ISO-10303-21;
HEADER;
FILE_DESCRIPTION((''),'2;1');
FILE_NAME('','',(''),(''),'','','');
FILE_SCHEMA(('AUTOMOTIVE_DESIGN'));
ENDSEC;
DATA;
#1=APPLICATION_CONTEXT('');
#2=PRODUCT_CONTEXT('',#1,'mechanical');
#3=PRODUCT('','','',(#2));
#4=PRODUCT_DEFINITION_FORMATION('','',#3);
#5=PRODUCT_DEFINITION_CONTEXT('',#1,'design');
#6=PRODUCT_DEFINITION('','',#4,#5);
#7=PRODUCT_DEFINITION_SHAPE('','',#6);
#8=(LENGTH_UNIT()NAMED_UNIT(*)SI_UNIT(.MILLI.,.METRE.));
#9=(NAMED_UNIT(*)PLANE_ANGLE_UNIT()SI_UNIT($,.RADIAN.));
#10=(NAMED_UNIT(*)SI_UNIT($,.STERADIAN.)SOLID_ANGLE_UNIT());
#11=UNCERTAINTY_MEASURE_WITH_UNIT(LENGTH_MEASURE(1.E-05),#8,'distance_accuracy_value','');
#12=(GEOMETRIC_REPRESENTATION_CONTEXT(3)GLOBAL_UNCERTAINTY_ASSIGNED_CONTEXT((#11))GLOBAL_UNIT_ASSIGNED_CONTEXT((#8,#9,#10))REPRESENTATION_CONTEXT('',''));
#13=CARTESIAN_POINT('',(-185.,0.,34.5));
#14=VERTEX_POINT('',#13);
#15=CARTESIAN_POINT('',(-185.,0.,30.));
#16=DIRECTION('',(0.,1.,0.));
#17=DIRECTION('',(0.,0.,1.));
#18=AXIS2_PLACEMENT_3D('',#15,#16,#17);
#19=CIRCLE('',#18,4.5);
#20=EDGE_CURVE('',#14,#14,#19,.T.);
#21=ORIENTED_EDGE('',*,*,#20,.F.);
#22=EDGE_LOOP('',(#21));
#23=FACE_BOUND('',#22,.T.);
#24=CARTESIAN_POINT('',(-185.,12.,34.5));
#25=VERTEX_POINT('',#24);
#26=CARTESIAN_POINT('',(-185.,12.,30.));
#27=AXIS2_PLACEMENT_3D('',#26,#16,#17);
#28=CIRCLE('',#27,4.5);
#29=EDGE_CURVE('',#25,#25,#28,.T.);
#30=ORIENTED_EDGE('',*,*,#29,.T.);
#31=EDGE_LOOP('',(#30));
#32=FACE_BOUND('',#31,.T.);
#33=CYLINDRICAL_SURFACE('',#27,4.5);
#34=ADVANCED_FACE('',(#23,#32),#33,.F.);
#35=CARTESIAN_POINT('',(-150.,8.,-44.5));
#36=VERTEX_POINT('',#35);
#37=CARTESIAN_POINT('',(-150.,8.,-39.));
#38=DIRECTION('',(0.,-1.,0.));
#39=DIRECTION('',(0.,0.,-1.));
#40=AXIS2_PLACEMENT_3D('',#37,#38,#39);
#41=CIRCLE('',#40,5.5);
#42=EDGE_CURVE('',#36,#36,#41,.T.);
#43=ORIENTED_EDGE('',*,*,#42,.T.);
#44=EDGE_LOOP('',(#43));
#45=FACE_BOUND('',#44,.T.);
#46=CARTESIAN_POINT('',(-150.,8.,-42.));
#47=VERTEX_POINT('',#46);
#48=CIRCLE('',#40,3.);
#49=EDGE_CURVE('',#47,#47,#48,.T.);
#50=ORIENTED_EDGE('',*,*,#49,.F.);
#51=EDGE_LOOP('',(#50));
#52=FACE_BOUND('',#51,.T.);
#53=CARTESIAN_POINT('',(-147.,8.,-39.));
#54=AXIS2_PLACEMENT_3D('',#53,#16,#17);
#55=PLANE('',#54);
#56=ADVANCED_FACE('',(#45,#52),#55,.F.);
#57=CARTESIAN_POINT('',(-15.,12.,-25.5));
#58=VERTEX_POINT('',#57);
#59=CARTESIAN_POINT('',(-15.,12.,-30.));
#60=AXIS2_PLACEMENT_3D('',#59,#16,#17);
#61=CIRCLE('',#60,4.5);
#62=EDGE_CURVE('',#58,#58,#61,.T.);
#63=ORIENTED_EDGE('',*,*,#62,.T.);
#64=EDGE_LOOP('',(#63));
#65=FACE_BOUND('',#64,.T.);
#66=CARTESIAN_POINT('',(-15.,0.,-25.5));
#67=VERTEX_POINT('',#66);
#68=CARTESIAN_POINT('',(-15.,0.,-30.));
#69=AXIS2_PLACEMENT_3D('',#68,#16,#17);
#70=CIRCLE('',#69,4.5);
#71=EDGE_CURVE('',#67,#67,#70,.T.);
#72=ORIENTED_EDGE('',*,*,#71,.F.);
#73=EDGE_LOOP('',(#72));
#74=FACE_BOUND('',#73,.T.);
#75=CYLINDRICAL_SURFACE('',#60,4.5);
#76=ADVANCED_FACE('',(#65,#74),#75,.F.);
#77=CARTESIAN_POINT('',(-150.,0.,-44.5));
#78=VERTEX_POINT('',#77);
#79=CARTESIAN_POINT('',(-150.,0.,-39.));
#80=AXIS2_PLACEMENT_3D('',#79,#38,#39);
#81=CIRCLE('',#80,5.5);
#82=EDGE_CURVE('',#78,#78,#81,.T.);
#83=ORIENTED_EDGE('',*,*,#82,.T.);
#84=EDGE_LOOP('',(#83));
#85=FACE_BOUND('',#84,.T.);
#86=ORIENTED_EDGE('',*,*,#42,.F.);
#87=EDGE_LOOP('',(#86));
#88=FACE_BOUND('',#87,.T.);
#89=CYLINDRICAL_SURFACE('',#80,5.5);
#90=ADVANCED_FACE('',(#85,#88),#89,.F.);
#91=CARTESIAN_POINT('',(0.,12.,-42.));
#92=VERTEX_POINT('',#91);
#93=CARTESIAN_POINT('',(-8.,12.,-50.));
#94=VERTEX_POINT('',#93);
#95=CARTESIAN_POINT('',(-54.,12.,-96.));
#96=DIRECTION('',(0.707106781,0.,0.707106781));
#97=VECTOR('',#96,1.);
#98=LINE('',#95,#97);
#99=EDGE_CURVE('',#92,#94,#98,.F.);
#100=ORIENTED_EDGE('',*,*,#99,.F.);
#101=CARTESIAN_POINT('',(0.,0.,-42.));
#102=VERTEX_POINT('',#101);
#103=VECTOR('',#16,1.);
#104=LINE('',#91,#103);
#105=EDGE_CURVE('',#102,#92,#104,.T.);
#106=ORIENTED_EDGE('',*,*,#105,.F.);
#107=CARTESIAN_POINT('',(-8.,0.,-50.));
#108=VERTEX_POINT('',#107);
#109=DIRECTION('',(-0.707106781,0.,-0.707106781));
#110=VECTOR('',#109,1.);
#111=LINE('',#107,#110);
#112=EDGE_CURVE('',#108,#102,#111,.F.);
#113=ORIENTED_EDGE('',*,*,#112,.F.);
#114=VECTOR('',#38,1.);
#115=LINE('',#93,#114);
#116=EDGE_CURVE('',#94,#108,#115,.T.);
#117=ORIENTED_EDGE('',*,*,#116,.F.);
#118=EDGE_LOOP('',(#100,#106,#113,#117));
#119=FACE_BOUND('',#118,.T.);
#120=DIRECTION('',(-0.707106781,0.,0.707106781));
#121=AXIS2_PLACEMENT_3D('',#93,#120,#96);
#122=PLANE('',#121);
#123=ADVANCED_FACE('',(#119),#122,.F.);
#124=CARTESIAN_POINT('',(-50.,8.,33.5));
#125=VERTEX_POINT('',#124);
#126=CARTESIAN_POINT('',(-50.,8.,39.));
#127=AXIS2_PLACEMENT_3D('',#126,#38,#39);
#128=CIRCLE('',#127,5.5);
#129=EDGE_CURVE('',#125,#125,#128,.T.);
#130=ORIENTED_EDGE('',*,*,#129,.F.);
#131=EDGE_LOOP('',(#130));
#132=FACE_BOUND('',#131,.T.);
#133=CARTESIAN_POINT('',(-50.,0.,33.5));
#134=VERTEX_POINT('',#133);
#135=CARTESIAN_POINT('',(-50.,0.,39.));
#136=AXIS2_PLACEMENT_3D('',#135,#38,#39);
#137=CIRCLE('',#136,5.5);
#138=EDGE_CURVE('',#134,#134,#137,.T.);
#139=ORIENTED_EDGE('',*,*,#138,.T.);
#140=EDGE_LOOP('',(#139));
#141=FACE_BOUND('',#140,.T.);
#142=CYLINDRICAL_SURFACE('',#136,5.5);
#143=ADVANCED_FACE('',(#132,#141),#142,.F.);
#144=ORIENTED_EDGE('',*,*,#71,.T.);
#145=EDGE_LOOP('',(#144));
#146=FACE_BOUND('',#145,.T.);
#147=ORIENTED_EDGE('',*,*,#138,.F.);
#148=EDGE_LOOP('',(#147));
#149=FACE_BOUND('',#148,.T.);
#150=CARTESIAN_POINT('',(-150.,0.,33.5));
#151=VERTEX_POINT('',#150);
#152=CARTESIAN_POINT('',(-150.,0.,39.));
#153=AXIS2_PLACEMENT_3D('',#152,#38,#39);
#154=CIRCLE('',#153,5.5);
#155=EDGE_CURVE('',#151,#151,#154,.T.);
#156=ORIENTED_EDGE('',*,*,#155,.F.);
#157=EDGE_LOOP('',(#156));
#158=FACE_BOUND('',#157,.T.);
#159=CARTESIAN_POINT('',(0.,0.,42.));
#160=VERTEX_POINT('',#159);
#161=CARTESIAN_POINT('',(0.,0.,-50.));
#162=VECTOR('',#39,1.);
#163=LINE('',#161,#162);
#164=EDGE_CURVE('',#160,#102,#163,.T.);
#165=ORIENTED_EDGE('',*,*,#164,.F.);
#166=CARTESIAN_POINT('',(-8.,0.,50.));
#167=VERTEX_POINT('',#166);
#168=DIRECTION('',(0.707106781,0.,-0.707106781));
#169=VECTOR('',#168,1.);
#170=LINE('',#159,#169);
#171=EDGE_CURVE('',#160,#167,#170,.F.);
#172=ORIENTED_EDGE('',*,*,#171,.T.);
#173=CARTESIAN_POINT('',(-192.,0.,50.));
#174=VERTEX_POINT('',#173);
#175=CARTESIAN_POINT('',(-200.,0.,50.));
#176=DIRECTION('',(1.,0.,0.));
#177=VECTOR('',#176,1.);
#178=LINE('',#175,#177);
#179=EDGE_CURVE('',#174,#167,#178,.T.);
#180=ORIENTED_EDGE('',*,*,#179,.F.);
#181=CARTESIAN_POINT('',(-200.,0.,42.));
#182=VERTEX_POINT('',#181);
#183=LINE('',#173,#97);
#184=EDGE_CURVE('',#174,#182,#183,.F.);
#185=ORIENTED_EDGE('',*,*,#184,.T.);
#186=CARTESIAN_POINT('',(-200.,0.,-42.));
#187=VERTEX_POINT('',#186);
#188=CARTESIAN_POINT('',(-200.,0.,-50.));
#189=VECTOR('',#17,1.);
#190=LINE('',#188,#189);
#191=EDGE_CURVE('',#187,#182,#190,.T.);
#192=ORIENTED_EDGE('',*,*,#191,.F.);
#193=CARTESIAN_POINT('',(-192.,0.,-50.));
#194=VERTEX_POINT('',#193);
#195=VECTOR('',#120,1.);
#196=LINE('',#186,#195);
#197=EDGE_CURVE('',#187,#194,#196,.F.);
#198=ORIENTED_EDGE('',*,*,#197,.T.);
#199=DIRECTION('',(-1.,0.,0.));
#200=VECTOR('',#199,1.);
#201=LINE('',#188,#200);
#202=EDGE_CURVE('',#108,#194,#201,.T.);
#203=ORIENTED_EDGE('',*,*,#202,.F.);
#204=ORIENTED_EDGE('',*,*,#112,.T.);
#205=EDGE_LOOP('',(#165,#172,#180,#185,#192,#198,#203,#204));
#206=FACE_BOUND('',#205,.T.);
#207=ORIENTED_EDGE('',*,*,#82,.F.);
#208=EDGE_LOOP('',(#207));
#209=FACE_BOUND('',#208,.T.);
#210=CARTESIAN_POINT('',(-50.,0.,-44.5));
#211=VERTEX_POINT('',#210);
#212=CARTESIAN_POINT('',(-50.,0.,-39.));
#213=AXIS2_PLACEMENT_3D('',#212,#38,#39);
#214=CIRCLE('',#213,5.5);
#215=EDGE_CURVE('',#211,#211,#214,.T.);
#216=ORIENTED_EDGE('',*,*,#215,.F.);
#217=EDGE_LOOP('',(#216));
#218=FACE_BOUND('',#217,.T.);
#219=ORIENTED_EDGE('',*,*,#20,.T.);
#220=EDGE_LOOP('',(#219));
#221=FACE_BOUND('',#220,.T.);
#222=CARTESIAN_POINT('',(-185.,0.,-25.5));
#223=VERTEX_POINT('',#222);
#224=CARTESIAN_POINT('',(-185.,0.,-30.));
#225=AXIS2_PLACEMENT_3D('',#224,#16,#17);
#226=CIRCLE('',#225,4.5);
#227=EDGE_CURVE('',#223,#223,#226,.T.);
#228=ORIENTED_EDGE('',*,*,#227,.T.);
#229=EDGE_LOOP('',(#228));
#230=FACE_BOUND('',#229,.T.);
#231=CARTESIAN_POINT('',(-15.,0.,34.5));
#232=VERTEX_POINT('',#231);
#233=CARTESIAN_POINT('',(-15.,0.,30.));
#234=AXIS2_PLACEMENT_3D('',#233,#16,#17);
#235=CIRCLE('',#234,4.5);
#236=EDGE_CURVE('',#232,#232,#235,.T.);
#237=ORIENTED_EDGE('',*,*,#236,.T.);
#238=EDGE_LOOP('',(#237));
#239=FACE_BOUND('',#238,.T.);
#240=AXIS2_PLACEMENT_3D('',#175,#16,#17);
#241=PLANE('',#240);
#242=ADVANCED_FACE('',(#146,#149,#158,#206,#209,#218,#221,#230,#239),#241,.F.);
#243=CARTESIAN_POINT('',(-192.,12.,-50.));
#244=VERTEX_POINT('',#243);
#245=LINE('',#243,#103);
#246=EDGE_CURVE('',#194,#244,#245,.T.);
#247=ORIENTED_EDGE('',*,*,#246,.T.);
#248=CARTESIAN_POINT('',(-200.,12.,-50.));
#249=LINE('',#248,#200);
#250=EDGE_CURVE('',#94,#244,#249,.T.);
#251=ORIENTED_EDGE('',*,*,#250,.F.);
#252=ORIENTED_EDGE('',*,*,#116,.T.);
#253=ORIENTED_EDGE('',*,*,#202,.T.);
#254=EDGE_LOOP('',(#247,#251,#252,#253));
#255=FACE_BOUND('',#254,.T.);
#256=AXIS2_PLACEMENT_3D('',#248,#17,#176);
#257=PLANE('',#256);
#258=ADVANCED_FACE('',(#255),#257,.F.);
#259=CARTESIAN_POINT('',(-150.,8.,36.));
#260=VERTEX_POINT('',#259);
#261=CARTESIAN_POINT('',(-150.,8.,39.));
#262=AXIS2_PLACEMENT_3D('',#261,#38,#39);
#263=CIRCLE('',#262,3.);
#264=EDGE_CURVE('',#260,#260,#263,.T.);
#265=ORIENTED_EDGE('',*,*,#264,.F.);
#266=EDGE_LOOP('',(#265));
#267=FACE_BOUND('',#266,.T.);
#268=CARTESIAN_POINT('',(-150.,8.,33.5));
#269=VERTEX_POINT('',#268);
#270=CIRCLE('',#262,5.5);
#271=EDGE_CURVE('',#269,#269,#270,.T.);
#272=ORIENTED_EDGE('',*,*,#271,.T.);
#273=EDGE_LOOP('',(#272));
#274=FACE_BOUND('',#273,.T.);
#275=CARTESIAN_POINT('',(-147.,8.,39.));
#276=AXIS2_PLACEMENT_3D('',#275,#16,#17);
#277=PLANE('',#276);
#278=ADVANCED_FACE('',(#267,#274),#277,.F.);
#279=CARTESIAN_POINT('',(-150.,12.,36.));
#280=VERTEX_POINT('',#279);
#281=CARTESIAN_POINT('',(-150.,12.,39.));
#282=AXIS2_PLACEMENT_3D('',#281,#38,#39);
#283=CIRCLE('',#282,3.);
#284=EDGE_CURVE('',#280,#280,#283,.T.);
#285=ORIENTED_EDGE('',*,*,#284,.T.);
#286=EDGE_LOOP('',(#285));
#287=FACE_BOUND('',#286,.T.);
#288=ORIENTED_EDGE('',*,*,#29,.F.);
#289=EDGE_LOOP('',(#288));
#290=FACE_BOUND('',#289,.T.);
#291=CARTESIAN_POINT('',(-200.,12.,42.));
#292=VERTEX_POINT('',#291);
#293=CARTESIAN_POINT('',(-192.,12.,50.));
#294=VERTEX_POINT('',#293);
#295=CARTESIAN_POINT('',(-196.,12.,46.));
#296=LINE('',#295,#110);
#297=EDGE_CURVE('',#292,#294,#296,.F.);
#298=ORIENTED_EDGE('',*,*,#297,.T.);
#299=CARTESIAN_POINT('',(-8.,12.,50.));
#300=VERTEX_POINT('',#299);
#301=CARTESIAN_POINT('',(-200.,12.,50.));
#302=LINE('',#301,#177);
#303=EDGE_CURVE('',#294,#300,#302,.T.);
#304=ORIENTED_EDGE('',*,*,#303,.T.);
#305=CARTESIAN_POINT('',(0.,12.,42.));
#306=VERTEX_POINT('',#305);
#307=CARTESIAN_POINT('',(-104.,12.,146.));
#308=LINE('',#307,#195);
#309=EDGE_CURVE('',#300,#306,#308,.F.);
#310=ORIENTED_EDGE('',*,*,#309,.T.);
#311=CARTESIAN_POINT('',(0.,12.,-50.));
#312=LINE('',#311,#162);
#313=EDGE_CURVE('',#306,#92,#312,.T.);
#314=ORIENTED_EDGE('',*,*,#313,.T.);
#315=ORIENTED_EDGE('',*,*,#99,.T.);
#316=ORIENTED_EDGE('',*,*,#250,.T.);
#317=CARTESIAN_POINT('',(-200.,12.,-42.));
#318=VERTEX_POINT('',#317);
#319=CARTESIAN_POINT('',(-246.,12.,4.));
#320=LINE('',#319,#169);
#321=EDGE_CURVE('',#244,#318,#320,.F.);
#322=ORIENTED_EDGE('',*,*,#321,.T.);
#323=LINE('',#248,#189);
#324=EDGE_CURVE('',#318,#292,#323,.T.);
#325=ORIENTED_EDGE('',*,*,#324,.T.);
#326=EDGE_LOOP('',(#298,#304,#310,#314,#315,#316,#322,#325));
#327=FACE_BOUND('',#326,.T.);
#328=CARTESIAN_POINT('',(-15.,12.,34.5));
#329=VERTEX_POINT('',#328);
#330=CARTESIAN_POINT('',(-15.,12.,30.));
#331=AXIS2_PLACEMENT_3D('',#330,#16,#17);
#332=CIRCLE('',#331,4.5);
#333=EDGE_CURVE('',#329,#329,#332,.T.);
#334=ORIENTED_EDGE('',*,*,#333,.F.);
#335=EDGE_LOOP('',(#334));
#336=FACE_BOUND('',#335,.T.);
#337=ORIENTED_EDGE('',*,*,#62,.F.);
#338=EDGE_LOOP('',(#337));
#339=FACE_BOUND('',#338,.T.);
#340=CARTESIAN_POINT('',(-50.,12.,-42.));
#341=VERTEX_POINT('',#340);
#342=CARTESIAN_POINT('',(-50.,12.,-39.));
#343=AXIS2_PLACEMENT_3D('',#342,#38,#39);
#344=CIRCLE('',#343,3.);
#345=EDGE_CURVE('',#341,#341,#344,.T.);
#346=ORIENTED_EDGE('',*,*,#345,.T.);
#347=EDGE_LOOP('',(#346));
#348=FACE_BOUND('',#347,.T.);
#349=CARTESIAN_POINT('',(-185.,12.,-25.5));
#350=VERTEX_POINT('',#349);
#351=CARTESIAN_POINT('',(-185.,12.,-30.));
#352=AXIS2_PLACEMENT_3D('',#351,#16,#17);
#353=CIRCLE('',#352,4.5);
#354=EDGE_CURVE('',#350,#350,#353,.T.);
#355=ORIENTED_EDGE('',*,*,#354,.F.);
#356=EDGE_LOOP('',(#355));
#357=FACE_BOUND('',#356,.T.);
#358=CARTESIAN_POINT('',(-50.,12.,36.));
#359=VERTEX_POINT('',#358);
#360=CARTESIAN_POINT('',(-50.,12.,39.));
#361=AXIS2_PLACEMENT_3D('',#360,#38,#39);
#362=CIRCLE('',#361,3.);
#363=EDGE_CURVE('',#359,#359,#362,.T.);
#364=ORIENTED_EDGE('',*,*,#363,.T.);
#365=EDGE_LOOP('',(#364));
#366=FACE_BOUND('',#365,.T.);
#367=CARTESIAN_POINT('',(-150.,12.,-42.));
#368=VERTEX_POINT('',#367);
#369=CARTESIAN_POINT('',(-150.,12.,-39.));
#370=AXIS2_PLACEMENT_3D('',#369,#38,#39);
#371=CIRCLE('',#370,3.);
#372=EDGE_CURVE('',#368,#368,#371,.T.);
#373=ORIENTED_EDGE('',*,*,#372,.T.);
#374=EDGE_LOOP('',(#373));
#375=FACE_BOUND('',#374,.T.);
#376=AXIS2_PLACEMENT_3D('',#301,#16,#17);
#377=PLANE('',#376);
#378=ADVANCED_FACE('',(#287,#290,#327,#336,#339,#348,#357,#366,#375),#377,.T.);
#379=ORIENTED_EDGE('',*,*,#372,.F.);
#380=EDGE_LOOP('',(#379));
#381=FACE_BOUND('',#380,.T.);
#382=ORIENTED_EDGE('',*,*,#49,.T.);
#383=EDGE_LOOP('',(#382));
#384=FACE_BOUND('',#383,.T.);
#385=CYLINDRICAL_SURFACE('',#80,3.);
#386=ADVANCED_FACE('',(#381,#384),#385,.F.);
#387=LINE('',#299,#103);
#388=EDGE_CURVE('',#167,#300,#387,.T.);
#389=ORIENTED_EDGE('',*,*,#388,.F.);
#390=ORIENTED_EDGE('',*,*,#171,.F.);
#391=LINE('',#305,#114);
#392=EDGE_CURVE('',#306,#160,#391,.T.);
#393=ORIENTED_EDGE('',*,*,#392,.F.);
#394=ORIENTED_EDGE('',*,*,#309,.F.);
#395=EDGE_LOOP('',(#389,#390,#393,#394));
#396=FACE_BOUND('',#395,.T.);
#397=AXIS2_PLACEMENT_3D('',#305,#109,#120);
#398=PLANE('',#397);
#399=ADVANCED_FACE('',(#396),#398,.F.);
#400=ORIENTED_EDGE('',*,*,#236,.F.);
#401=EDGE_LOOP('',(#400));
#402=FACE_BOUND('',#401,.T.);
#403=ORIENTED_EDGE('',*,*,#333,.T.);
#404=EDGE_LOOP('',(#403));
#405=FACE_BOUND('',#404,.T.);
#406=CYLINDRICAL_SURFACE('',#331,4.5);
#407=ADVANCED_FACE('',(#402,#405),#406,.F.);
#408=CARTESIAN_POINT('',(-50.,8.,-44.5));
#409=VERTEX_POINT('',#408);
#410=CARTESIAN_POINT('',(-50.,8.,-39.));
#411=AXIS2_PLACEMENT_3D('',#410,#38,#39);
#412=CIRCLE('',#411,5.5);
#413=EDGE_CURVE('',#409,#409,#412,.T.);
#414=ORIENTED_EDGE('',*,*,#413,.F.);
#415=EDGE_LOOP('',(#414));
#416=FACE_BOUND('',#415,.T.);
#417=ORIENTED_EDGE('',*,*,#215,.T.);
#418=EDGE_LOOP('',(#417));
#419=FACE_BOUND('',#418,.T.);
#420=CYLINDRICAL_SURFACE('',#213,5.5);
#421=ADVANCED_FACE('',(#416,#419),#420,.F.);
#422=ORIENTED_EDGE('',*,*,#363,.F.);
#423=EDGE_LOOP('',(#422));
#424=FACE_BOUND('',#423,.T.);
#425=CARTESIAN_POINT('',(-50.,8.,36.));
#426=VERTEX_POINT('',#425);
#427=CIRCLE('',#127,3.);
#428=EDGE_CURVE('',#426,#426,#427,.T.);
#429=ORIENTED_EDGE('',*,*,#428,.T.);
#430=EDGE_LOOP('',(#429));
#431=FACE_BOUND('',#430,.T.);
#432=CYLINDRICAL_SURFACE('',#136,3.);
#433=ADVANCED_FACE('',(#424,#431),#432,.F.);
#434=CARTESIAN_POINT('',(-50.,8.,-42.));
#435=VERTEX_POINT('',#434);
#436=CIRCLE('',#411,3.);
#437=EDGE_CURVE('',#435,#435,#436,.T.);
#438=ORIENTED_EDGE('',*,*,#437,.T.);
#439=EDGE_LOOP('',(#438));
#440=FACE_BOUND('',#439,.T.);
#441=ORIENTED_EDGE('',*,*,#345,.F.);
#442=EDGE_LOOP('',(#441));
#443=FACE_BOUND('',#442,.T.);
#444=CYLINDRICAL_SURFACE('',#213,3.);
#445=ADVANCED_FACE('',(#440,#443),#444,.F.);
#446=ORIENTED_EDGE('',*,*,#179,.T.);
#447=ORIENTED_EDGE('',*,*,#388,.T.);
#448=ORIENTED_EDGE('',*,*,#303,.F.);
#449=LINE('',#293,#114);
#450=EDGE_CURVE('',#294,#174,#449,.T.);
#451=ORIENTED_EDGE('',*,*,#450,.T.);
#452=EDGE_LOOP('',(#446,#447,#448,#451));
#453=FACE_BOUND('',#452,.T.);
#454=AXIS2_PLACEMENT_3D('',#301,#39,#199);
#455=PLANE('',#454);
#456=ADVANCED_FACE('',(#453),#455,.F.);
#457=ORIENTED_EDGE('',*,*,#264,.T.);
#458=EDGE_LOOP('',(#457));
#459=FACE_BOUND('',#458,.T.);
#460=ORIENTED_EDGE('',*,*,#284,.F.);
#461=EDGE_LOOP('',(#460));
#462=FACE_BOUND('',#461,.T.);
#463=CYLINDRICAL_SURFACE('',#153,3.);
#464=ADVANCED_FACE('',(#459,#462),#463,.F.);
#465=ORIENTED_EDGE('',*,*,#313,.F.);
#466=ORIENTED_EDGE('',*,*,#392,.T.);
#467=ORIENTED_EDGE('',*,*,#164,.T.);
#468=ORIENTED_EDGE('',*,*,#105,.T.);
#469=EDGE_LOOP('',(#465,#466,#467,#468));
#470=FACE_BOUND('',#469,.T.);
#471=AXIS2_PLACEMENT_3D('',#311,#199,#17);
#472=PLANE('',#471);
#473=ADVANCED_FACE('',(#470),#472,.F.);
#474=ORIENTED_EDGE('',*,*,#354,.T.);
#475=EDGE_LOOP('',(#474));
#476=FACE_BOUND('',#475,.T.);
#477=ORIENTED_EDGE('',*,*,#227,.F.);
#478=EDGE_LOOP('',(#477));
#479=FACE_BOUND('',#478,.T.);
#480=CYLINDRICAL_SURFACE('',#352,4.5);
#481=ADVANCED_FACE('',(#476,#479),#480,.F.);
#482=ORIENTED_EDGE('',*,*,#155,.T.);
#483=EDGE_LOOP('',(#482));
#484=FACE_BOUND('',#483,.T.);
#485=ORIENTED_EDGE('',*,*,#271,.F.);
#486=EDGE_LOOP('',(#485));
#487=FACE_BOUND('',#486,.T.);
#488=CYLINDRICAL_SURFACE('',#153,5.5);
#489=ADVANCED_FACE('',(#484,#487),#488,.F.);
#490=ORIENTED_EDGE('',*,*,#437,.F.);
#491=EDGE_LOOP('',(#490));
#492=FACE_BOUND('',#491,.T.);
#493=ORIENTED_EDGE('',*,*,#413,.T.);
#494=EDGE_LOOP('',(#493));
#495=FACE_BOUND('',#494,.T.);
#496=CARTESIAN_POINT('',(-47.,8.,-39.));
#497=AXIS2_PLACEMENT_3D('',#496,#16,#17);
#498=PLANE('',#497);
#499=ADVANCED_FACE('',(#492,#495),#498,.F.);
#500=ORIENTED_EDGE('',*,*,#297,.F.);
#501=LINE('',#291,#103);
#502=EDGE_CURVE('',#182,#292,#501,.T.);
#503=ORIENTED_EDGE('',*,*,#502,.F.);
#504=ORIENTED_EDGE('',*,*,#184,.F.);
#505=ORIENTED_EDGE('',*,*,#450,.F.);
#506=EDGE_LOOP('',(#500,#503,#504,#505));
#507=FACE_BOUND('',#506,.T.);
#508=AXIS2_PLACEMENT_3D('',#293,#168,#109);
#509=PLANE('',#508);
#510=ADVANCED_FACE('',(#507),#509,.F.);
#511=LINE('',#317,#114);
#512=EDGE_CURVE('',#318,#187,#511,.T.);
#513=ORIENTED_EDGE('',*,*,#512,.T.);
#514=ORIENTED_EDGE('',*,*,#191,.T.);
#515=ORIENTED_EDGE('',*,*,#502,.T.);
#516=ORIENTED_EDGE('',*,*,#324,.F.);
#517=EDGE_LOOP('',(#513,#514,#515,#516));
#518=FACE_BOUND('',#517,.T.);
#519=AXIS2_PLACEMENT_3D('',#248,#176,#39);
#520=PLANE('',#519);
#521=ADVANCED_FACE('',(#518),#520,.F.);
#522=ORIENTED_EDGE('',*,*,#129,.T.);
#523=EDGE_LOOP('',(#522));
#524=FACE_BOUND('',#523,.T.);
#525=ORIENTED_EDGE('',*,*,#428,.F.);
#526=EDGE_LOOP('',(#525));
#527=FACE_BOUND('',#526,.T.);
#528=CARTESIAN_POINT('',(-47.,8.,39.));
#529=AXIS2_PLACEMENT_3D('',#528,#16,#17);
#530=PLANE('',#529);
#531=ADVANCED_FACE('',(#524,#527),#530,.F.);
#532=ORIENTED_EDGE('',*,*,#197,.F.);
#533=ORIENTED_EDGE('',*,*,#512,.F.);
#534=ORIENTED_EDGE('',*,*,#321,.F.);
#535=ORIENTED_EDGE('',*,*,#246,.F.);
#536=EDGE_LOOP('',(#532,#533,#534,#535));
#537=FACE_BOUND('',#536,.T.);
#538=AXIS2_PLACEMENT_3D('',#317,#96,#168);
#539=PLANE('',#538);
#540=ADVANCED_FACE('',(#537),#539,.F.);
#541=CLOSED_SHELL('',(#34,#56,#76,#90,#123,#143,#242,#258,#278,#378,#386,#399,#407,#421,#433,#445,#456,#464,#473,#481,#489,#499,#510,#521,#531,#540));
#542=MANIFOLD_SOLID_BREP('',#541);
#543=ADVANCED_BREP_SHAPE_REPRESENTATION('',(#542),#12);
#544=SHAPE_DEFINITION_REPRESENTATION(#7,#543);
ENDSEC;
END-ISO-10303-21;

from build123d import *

# Parameters (mm, degrees)
SKETCH1_W                                       = 200
SKETCH1_H                                       = 100
BOSS_EXTRUDE1_DEPTH                             = 12
F_9_0_9_DIAMETER_HOLE1_D                        = 9
CBORE_FOR_M5_SOCKET_HEAD_CAP_SCREW1_D           = 6
CBORE_FOR_M5_SOCKET_HEAD_CAP_SCREW1_CBORE_D     = 11
CBORE_FOR_M5_SOCKET_HEAD_CAP_SCREW1_CBORE_DEPTH = 8
CHAMFER1_SIZE                                   = 8


with BuildPart() as part:
    # Sketch1 → Boss-Extrude1 (new body)
    with BuildSketch(Plane(origin=(0, 0, 0), x_dir=(1, 0, 0), z_dir=(0, 1, 0))):
        with Locations((-100, 0)):
            Rectangle(SKETCH1_W, SKETCH1_H)
    extrude(amount=BOSS_EXTRUDE1_DEPTH)

    # Ø9.0 (9) Diameter Hole1 (through all)
    with Locations(Plane(origin=(0, 12, 0), x_dir=(-1, 0, 0), z_dir=(0, 1, 0))):
        with Locations((185, 30), (15, 30), (15, -30), (185, -30)):
            Hole(F_9_0_9_DIAMETER_HOLE1_D / 2)

    # CBORE for M5 Socket Head Cap Screw1 (through all)
    with Locations(Plane.XZ):
        with Locations((-150, 39), (-50, 39), (-150, -39), (-50, -39)):
            CounterBoreHole(CBORE_FOR_M5_SOCKET_HEAD_CAP_SCREW1_D / 2, CBORE_FOR_M5_SOCKET_HEAD_CAP_SCREW1_CBORE_D / 2, CBORE_FOR_M5_SOCKET_HEAD_CAP_SCREW1_CBORE_DEPTH)

    # Chamfer1
    chamfer1_edges = [part.edges().sort_by_distance(p)[0] for p in [
        (-200, 6, -50),
        (0, 6, -50),
        (0, 6, 50),
        (-200, 6, 50),
    ]]
    chamfer(chamfer1_edges, length=CHAMFER1_SIZE)


solid = part.part
